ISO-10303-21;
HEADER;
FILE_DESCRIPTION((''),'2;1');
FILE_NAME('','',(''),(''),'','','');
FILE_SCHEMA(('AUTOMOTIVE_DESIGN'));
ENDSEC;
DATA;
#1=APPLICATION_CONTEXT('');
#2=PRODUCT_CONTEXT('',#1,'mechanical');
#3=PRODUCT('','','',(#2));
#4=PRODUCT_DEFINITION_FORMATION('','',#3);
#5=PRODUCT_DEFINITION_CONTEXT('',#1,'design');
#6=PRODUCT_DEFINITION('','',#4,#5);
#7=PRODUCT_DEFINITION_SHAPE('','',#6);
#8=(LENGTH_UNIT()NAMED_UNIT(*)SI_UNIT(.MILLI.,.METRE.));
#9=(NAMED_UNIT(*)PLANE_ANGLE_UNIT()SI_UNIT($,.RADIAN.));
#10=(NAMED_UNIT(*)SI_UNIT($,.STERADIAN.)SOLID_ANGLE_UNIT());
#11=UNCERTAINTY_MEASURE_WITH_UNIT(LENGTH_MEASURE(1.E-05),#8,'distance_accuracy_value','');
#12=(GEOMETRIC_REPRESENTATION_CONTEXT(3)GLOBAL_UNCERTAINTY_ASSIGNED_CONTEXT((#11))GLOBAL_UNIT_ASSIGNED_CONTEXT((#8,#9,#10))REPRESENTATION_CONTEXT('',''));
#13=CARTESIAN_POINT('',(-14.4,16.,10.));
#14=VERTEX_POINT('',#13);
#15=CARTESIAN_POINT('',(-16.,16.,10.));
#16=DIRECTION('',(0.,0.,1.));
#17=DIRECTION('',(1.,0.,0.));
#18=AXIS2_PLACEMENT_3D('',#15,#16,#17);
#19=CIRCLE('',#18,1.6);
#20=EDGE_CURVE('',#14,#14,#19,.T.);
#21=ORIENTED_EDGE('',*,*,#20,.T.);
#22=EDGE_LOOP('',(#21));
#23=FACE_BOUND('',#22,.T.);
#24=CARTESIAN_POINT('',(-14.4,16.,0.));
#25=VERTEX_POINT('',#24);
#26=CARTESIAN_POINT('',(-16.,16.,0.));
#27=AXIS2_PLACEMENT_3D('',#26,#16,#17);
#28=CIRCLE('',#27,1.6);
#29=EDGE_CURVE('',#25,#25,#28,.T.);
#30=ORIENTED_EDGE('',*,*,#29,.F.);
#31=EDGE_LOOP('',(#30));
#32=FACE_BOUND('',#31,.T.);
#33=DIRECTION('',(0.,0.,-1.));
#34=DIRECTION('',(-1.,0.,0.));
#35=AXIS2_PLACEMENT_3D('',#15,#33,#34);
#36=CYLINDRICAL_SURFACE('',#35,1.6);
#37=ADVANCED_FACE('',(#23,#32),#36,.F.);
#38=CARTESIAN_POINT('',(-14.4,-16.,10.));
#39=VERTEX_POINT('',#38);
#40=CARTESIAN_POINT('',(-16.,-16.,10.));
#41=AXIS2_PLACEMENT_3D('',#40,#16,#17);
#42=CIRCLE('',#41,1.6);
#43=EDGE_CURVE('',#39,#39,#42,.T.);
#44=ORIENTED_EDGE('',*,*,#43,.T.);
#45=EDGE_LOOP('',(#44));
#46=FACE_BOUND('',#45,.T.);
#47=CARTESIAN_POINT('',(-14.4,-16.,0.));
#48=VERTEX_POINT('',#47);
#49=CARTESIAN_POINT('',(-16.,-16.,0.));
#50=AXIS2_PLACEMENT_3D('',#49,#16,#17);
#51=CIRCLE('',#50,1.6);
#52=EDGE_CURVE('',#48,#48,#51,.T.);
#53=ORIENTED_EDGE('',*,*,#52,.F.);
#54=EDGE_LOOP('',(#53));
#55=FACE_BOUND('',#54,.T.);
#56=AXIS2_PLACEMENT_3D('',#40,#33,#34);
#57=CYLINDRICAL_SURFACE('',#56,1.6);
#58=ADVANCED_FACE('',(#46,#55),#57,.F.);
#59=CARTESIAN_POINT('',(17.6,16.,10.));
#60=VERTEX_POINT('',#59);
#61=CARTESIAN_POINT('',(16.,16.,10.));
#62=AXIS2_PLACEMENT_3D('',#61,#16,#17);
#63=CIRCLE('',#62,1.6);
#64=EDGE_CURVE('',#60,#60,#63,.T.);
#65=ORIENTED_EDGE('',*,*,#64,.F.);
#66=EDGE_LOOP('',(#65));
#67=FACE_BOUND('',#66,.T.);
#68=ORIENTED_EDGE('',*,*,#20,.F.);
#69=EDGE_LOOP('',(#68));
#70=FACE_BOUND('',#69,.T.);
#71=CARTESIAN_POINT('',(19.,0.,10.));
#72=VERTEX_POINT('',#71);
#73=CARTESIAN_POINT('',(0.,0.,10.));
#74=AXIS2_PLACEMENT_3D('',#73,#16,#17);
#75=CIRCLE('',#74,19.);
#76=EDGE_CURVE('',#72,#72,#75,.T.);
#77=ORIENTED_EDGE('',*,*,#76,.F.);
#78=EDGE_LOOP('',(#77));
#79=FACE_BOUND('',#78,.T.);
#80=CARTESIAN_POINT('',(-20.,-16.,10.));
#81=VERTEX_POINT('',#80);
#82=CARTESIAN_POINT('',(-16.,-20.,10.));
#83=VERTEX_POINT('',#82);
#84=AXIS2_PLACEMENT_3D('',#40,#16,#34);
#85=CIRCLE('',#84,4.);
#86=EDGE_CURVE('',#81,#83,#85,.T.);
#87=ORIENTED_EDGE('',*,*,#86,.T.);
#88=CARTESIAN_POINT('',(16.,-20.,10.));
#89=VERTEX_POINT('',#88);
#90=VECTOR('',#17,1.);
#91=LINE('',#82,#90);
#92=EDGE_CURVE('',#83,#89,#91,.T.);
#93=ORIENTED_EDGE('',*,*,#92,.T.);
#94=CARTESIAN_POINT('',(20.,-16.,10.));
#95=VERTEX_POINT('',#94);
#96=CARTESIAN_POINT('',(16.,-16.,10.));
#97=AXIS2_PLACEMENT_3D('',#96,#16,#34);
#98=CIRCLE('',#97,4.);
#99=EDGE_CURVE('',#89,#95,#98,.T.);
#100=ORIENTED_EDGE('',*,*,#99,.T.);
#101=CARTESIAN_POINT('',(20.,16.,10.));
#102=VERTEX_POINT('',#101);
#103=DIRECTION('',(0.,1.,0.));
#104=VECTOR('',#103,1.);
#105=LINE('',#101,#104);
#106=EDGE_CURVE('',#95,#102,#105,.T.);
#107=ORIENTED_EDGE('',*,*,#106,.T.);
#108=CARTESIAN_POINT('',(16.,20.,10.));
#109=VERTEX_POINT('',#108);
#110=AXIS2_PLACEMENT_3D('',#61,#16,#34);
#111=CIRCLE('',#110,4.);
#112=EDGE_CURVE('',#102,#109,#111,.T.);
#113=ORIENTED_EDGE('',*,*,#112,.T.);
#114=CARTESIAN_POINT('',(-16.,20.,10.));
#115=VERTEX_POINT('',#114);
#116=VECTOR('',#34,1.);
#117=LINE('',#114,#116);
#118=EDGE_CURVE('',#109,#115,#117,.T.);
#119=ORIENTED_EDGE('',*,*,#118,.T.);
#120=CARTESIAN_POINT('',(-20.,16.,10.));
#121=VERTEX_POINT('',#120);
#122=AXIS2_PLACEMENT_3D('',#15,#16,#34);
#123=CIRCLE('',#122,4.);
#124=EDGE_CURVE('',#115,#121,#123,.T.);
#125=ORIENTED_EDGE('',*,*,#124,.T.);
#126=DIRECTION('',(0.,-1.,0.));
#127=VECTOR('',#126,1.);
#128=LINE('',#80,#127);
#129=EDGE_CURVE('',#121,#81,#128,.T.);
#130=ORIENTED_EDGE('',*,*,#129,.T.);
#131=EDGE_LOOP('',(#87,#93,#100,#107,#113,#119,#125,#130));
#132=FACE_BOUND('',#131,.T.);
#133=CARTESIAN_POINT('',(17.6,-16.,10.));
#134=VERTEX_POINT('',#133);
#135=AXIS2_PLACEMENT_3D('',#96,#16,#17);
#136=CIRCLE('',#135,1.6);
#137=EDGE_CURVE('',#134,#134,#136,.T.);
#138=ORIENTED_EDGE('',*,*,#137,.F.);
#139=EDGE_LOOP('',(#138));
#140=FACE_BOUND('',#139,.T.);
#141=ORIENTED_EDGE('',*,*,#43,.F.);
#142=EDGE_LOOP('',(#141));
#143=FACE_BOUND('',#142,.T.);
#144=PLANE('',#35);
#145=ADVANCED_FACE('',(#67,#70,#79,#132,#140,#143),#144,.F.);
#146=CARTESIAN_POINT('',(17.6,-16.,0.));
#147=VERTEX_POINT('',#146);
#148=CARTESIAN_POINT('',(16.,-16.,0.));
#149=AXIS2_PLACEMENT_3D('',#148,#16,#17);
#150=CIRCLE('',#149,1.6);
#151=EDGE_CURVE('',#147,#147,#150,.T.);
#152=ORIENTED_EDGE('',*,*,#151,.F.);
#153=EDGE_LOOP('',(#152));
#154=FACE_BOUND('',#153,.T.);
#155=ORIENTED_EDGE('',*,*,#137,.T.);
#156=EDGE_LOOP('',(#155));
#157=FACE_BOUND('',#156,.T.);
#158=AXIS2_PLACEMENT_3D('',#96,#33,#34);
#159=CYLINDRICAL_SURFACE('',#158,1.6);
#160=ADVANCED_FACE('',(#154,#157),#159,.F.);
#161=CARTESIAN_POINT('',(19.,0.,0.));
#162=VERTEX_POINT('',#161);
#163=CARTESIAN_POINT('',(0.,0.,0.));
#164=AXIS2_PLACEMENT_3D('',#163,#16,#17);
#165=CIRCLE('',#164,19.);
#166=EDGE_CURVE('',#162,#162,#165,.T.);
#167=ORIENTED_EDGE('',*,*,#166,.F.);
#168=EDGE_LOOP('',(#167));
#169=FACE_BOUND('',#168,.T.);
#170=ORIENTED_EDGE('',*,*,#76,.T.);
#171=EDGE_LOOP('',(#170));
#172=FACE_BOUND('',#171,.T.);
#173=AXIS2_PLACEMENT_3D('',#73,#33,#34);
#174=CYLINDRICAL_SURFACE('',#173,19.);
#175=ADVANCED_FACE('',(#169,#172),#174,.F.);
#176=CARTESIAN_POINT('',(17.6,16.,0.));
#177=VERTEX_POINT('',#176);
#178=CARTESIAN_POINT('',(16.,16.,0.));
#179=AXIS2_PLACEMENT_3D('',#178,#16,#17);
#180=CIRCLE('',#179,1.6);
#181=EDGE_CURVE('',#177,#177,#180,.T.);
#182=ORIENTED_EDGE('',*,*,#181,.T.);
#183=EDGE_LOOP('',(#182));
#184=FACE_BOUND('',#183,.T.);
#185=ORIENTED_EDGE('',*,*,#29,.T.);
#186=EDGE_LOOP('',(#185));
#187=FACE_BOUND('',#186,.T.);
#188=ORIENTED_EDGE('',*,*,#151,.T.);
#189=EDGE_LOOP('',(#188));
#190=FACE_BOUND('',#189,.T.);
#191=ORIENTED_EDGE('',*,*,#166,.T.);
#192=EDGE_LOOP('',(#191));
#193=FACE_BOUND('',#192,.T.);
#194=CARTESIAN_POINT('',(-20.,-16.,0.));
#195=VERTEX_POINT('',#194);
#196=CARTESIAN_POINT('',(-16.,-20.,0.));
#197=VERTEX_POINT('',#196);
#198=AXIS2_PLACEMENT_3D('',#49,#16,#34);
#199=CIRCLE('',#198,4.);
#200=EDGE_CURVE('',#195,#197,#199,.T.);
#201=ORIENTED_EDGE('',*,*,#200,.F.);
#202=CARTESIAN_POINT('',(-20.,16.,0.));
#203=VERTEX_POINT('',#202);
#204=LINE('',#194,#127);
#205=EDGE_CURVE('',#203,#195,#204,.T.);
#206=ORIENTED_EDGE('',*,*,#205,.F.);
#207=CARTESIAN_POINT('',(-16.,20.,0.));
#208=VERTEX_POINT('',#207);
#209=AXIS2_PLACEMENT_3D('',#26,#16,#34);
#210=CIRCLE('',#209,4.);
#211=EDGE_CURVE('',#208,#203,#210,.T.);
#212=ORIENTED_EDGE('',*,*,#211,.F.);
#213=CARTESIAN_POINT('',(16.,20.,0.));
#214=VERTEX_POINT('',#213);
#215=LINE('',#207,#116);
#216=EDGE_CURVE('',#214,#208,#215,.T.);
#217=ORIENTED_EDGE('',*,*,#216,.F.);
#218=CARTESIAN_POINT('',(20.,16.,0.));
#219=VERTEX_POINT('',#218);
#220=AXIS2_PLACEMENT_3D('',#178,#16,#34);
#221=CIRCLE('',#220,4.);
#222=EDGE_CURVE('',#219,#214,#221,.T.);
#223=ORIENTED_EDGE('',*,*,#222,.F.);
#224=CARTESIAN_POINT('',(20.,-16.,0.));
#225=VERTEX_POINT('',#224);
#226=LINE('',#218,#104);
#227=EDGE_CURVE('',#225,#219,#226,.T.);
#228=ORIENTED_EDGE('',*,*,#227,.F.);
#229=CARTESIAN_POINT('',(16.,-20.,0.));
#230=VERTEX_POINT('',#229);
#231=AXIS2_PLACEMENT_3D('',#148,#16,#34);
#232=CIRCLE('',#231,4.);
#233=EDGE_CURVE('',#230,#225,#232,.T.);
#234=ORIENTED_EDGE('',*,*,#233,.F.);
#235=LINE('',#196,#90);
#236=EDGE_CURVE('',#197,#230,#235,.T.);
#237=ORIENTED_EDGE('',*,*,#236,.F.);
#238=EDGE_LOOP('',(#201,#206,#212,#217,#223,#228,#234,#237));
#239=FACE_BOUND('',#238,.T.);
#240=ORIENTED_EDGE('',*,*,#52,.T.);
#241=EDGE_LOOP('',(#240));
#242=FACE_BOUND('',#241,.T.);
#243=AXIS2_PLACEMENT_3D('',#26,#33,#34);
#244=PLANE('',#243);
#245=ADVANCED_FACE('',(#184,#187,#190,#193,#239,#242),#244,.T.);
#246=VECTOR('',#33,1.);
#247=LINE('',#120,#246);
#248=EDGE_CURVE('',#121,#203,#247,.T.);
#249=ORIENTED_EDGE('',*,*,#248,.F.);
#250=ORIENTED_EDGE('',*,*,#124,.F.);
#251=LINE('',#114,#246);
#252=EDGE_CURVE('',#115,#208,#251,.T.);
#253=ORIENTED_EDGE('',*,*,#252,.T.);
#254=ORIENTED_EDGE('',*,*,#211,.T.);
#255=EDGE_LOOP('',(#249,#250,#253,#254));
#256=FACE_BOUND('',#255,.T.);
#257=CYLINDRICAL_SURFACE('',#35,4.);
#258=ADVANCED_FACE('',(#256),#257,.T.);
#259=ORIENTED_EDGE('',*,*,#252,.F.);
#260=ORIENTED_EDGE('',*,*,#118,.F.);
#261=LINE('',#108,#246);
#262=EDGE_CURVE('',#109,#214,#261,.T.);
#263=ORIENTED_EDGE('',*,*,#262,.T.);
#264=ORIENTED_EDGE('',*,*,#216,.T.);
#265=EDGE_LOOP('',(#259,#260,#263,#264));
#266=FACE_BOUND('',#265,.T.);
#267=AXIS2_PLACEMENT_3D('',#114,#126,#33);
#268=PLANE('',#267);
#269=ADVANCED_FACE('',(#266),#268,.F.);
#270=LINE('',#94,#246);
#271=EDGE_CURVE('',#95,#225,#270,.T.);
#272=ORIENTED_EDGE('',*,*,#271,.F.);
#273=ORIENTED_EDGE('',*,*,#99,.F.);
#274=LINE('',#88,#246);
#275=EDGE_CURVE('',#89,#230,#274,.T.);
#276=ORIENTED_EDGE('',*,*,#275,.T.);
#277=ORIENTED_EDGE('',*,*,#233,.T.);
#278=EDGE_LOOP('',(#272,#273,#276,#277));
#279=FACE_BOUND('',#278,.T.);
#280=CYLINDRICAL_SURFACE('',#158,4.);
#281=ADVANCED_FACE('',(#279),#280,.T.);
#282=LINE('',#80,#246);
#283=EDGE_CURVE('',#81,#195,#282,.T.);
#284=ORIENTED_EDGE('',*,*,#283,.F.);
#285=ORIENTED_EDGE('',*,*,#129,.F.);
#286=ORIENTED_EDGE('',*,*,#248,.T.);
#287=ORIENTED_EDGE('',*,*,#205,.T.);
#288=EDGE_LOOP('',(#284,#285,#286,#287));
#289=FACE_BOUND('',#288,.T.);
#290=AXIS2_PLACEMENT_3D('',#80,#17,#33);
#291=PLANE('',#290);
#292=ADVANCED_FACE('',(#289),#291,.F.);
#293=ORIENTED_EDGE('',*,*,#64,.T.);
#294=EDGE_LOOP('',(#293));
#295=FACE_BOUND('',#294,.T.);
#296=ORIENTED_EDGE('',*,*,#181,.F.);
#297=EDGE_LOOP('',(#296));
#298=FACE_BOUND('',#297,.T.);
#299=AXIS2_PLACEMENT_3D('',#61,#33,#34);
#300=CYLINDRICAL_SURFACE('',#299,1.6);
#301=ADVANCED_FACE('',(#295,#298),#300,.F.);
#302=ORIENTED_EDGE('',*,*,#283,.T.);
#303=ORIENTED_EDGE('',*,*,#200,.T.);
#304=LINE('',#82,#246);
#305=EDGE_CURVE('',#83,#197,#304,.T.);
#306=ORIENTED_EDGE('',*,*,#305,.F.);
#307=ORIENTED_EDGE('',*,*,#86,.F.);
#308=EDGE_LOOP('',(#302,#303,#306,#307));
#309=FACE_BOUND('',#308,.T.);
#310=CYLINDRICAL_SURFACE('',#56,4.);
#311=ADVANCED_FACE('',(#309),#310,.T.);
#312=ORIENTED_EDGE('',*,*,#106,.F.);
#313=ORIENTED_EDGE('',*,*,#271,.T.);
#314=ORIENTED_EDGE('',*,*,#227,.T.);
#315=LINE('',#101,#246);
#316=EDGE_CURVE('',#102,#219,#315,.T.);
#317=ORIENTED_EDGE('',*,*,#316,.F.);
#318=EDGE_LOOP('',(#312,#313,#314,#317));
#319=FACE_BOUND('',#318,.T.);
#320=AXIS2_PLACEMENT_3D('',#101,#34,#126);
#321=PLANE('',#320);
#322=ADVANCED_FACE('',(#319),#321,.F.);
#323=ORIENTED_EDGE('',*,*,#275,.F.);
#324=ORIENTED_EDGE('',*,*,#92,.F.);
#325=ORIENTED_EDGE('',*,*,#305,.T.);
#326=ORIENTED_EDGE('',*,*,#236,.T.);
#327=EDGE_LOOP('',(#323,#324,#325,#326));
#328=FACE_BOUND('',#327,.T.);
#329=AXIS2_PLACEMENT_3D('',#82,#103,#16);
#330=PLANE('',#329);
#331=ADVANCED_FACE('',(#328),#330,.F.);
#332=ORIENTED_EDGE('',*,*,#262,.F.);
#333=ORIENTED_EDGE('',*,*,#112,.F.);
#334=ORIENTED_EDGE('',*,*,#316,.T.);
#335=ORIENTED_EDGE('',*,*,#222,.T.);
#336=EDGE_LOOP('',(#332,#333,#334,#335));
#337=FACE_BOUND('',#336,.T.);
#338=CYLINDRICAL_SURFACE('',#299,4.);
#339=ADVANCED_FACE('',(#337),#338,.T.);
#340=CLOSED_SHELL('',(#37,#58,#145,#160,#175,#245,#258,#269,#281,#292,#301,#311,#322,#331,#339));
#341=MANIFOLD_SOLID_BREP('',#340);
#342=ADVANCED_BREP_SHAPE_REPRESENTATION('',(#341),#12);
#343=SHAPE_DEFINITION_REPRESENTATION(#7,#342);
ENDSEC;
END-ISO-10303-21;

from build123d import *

# Parameters (mm, degrees)
SKETCH1_R           = 19
SKETCH1_R_2         = 1.6
BOSS_EXTRUDE1_DEPTH = 10


with BuildPart() as part:
    # Sketch1 → Boss-Extrude1 (new body)
    with BuildSketch(Plane.XY):
        with BuildLine():
            Line((-16, 20), (16, 20))
            ThreePointArc((16, 20), (18.828427125, 18.828427125), (20, 16))
            Line((20, 16), (20, -16))
            ThreePointArc((20, -16), (18.828427125, -18.828427125), (16, -20))
            Line((16, -20), (-16, -20))
            ThreePointArc((-16, -20), (-18.828427125, -18.828427125), (-20, -16))
            Line((-20, -16), (-20, 16))
            ThreePointArc((-20, 16), (-18.828427125, 18.828427125), (-16, 20))
        make_face()
        Circle(SKETCH1_R, mode=Mode.SUBTRACT)
        with Locations((-16, 16)):
            Circle(SKETCH1_R_2, mode=Mode.SUBTRACT)
        with Locations((16, 16)):
            Circle(SKETCH1_R_2, mode=Mode.SUBTRACT)
        with Locations((16, -16)):
            Circle(SKETCH1_R_2, mode=Mode.SUBTRACT)
        with Locations((-16, -16)):
            Circle(SKETCH1_R_2, mode=Mode.SUBTRACT)
    extrude(amount=BOSS_EXTRUDE1_DEPTH)


solid = part.part
